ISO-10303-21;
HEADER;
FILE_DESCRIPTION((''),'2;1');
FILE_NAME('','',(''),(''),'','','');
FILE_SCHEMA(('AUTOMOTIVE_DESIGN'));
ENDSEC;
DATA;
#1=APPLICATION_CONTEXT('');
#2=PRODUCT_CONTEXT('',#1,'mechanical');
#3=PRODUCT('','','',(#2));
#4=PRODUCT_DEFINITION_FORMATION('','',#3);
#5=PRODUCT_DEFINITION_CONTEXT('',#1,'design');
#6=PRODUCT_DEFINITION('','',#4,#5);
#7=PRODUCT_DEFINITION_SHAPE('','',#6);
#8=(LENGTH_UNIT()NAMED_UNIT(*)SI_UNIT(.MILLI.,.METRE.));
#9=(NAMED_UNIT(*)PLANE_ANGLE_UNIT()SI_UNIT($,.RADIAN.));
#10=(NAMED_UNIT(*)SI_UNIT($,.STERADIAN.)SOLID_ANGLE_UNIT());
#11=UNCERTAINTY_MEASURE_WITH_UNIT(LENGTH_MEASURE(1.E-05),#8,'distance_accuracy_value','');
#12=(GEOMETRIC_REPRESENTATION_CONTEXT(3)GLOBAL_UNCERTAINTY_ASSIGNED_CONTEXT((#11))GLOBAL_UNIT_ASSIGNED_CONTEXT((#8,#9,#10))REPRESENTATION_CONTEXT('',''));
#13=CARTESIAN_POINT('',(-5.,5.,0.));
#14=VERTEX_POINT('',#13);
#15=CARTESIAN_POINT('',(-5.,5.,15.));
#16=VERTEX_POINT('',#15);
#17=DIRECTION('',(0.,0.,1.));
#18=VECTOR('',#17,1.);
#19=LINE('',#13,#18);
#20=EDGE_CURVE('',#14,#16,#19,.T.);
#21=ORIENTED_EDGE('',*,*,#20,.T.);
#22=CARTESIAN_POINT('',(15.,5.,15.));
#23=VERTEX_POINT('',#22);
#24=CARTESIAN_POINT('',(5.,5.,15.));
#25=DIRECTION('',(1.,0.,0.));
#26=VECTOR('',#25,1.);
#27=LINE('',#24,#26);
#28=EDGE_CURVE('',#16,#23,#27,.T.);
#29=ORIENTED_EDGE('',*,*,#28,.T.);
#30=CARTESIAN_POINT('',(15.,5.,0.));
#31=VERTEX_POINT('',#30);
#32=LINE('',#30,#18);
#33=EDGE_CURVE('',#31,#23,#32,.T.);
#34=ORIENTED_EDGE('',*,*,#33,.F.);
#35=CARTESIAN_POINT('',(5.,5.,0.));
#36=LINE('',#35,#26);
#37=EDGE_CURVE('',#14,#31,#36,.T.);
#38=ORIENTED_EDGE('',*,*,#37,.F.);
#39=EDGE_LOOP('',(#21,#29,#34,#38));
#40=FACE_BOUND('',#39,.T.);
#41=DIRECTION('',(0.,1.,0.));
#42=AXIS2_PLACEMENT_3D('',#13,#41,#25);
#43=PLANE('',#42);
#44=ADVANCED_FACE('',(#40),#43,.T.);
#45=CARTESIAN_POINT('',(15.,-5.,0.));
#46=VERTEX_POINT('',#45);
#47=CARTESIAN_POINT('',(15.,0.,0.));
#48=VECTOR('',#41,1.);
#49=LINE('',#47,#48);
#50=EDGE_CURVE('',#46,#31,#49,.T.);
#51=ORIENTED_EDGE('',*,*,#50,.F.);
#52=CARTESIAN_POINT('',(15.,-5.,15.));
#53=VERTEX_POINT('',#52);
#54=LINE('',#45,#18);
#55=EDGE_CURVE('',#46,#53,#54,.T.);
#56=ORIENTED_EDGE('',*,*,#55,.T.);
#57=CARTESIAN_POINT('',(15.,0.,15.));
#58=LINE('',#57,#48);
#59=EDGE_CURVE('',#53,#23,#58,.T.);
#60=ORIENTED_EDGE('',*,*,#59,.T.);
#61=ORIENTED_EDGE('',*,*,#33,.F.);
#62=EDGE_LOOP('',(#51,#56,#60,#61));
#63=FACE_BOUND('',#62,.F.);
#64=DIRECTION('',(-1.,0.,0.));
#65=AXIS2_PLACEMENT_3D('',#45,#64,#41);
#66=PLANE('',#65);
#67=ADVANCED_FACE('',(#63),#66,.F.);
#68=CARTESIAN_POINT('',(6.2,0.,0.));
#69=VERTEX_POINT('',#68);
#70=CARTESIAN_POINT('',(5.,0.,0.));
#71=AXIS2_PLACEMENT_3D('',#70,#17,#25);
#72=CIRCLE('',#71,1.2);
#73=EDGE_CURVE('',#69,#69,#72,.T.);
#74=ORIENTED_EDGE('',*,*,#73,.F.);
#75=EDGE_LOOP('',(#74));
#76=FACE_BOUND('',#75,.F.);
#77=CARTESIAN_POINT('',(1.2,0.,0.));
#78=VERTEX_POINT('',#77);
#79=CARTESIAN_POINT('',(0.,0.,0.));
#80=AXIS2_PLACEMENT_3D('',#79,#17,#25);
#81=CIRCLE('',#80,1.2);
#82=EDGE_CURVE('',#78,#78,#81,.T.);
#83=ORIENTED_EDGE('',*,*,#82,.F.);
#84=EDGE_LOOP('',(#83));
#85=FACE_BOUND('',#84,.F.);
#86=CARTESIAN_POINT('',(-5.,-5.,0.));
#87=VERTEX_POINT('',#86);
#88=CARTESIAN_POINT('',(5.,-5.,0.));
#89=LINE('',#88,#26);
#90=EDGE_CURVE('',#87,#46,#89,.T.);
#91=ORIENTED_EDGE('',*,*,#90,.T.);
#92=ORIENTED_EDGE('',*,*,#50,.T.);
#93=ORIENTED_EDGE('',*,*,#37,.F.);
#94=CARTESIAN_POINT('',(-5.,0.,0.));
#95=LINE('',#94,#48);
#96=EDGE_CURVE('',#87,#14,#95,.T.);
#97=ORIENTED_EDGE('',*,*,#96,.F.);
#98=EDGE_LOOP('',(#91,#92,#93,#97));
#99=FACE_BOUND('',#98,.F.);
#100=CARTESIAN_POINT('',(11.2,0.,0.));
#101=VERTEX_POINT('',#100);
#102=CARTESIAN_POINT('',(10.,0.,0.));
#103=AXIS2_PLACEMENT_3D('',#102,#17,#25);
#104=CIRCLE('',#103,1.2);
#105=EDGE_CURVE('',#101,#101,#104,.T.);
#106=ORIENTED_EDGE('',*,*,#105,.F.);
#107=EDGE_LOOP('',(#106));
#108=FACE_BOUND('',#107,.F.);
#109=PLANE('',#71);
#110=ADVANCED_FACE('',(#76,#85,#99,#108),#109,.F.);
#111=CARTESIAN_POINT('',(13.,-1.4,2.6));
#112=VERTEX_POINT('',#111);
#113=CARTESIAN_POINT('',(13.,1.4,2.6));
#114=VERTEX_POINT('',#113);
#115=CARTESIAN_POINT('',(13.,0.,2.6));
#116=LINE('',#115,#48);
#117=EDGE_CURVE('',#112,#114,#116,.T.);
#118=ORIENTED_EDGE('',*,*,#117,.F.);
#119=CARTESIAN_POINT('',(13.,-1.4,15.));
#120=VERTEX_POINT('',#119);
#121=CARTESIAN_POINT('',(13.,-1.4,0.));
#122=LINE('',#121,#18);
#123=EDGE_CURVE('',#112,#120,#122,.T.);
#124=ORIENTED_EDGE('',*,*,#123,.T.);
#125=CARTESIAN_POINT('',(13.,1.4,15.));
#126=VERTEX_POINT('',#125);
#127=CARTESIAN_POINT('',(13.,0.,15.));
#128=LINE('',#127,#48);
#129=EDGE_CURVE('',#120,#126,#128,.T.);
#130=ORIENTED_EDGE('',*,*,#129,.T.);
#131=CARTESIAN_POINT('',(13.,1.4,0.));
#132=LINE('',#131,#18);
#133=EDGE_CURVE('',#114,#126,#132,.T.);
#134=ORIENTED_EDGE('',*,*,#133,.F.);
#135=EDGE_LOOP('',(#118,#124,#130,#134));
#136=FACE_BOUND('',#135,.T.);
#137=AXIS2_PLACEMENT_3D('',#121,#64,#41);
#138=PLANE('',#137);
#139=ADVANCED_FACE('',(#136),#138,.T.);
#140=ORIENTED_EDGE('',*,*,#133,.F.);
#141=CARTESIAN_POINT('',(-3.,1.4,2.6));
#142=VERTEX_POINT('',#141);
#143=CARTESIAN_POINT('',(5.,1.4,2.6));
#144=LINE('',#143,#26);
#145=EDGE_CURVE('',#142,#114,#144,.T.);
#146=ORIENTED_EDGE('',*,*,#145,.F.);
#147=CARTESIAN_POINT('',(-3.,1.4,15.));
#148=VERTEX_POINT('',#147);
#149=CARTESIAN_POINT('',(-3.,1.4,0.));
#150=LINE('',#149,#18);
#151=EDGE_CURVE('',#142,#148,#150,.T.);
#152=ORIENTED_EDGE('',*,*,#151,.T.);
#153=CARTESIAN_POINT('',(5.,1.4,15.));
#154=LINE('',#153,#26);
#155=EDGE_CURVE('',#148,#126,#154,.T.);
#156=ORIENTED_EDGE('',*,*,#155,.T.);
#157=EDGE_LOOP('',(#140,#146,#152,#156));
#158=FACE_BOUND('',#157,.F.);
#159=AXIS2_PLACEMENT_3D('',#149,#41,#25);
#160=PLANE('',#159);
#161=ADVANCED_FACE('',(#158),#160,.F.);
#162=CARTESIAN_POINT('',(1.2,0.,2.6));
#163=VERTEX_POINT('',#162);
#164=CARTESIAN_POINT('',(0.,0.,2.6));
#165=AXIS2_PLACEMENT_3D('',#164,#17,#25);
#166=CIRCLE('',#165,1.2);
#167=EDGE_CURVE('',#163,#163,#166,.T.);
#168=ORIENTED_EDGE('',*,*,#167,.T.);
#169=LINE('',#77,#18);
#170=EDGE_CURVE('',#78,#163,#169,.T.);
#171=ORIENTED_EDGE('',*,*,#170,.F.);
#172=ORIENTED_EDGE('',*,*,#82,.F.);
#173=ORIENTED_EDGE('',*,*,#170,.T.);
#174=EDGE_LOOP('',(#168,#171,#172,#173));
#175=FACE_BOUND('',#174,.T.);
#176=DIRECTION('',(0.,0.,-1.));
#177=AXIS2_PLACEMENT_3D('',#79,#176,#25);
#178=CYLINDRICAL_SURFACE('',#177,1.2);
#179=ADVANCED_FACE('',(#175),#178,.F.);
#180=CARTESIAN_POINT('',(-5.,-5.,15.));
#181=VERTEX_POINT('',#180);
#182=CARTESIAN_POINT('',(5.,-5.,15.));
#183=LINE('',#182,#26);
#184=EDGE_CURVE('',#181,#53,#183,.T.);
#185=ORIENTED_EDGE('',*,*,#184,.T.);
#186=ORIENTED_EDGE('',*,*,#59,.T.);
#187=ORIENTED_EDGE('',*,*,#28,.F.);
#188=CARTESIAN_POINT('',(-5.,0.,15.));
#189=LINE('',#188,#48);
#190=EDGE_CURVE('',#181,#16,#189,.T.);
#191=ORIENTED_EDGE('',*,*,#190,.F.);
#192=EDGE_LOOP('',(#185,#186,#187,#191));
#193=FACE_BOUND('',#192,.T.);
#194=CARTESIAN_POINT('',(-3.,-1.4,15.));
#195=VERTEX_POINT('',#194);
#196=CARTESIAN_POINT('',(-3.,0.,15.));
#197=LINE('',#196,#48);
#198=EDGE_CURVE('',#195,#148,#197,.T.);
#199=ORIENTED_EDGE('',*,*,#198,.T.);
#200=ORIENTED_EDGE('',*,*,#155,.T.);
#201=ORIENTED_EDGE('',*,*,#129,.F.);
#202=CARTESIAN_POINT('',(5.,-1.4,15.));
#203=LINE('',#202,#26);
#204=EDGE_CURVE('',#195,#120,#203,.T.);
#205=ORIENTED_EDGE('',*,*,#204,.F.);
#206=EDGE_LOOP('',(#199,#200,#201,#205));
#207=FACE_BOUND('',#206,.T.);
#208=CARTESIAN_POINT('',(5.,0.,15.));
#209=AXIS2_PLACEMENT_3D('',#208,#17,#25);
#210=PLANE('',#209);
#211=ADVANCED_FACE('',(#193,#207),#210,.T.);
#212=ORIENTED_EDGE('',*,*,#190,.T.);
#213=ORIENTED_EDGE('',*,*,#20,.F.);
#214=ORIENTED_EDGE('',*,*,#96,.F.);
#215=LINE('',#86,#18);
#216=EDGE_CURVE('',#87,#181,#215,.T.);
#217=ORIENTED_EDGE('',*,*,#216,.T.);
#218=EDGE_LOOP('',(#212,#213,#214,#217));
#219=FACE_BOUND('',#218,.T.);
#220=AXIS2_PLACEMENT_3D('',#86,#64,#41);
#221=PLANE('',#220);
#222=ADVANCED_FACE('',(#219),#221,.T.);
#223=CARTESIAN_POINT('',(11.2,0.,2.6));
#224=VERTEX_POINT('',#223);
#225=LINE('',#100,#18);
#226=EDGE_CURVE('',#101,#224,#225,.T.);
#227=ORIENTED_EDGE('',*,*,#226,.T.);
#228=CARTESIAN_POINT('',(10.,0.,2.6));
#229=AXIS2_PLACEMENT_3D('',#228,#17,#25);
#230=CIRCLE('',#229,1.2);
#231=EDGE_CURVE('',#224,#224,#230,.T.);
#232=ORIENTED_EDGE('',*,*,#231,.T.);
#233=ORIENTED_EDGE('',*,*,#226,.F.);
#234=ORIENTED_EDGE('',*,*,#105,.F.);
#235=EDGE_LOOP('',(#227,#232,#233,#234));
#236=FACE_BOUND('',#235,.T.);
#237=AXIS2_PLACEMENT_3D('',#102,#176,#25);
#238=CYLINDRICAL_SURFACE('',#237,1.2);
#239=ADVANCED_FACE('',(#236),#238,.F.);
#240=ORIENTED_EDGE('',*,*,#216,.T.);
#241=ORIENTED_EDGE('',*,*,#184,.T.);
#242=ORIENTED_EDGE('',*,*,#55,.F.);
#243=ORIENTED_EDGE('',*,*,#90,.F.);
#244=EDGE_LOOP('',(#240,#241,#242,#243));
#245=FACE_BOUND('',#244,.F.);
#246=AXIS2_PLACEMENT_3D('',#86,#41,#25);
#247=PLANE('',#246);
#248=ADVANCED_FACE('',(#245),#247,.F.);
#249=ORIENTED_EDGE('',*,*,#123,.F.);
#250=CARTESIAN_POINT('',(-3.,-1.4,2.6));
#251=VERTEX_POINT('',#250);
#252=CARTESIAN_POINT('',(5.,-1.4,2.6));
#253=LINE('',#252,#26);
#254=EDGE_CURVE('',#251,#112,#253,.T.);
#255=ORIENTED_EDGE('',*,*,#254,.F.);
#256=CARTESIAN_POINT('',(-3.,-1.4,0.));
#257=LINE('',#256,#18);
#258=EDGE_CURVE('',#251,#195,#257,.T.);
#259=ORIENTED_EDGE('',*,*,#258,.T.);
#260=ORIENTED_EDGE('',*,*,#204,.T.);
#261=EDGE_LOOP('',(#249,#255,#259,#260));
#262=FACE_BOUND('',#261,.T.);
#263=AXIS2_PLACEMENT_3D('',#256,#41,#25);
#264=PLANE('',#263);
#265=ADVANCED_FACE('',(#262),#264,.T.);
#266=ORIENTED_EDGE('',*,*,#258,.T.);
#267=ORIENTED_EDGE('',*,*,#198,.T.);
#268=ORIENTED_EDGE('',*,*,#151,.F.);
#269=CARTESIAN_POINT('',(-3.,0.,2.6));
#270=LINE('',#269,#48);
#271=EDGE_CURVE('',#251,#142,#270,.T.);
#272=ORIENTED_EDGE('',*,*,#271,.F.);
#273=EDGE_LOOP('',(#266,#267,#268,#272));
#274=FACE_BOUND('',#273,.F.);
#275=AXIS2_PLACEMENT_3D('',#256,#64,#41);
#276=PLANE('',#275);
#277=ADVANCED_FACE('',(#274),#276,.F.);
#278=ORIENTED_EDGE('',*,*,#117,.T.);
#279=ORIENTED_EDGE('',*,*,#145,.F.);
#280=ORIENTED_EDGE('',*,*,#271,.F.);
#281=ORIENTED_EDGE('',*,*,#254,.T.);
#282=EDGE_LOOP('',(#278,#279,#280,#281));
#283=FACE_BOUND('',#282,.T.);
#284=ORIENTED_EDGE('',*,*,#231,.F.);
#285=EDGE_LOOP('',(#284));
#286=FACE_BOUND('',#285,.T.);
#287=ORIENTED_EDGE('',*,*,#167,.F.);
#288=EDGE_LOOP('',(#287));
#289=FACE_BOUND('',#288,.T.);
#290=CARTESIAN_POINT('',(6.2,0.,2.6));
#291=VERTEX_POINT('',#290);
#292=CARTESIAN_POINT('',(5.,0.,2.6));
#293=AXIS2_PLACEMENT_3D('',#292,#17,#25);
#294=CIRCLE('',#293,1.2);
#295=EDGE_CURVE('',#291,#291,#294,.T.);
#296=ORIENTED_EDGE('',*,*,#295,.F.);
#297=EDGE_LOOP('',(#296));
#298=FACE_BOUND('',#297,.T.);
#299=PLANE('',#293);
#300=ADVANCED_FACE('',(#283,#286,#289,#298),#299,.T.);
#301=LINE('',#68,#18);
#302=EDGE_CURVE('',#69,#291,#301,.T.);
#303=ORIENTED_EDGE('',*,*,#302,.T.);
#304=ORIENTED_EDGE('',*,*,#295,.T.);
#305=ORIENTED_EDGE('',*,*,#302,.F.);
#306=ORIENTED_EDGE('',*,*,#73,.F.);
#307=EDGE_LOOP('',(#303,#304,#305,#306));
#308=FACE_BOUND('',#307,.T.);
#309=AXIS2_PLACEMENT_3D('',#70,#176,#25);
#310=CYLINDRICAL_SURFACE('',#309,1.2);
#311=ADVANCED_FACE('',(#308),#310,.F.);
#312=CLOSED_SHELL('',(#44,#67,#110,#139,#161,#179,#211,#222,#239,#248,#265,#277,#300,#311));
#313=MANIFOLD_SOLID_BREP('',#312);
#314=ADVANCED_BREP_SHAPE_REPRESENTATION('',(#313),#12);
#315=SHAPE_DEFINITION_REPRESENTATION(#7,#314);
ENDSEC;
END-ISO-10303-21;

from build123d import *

# Parameters (mm, degrees)
F0_W     = 16
F0_H     = 2.8
F0_R     = 1.2
F1_DEPTH = 2.6
F0_W_2   = 20
F0_H_2   = 10
F2_DEPTH = 15


with BuildPart() as f1:
    # F0 (on Top) → F1 (new body)
    with BuildSketch(Plane.XY):
        with Locations((5, 0)):
            Rectangle(F0_W, F0_H)
        Circle(F0_R, mode=Mode.SUBTRACT)
        with Locations((5, 0)):
            Circle(F0_R, mode=Mode.SUBTRACT)
        with Locations((10, 0)):
            Circle(F0_R, mode=Mode.SUBTRACT)
    extrude(amount=F1_DEPTH)

    # F0 (on Top) → F2 (join)
    with BuildSketch(Plane.XY):
        with Locations((5, 0)):
            Rectangle(F0_W_2, F0_H_2)
        with Locations((5, 0)):
            Rectangle(F0_W, F0_H, mode=Mode.SUBTRACT)
    extrude(amount=F2_DEPTH)


solid = f1.part
